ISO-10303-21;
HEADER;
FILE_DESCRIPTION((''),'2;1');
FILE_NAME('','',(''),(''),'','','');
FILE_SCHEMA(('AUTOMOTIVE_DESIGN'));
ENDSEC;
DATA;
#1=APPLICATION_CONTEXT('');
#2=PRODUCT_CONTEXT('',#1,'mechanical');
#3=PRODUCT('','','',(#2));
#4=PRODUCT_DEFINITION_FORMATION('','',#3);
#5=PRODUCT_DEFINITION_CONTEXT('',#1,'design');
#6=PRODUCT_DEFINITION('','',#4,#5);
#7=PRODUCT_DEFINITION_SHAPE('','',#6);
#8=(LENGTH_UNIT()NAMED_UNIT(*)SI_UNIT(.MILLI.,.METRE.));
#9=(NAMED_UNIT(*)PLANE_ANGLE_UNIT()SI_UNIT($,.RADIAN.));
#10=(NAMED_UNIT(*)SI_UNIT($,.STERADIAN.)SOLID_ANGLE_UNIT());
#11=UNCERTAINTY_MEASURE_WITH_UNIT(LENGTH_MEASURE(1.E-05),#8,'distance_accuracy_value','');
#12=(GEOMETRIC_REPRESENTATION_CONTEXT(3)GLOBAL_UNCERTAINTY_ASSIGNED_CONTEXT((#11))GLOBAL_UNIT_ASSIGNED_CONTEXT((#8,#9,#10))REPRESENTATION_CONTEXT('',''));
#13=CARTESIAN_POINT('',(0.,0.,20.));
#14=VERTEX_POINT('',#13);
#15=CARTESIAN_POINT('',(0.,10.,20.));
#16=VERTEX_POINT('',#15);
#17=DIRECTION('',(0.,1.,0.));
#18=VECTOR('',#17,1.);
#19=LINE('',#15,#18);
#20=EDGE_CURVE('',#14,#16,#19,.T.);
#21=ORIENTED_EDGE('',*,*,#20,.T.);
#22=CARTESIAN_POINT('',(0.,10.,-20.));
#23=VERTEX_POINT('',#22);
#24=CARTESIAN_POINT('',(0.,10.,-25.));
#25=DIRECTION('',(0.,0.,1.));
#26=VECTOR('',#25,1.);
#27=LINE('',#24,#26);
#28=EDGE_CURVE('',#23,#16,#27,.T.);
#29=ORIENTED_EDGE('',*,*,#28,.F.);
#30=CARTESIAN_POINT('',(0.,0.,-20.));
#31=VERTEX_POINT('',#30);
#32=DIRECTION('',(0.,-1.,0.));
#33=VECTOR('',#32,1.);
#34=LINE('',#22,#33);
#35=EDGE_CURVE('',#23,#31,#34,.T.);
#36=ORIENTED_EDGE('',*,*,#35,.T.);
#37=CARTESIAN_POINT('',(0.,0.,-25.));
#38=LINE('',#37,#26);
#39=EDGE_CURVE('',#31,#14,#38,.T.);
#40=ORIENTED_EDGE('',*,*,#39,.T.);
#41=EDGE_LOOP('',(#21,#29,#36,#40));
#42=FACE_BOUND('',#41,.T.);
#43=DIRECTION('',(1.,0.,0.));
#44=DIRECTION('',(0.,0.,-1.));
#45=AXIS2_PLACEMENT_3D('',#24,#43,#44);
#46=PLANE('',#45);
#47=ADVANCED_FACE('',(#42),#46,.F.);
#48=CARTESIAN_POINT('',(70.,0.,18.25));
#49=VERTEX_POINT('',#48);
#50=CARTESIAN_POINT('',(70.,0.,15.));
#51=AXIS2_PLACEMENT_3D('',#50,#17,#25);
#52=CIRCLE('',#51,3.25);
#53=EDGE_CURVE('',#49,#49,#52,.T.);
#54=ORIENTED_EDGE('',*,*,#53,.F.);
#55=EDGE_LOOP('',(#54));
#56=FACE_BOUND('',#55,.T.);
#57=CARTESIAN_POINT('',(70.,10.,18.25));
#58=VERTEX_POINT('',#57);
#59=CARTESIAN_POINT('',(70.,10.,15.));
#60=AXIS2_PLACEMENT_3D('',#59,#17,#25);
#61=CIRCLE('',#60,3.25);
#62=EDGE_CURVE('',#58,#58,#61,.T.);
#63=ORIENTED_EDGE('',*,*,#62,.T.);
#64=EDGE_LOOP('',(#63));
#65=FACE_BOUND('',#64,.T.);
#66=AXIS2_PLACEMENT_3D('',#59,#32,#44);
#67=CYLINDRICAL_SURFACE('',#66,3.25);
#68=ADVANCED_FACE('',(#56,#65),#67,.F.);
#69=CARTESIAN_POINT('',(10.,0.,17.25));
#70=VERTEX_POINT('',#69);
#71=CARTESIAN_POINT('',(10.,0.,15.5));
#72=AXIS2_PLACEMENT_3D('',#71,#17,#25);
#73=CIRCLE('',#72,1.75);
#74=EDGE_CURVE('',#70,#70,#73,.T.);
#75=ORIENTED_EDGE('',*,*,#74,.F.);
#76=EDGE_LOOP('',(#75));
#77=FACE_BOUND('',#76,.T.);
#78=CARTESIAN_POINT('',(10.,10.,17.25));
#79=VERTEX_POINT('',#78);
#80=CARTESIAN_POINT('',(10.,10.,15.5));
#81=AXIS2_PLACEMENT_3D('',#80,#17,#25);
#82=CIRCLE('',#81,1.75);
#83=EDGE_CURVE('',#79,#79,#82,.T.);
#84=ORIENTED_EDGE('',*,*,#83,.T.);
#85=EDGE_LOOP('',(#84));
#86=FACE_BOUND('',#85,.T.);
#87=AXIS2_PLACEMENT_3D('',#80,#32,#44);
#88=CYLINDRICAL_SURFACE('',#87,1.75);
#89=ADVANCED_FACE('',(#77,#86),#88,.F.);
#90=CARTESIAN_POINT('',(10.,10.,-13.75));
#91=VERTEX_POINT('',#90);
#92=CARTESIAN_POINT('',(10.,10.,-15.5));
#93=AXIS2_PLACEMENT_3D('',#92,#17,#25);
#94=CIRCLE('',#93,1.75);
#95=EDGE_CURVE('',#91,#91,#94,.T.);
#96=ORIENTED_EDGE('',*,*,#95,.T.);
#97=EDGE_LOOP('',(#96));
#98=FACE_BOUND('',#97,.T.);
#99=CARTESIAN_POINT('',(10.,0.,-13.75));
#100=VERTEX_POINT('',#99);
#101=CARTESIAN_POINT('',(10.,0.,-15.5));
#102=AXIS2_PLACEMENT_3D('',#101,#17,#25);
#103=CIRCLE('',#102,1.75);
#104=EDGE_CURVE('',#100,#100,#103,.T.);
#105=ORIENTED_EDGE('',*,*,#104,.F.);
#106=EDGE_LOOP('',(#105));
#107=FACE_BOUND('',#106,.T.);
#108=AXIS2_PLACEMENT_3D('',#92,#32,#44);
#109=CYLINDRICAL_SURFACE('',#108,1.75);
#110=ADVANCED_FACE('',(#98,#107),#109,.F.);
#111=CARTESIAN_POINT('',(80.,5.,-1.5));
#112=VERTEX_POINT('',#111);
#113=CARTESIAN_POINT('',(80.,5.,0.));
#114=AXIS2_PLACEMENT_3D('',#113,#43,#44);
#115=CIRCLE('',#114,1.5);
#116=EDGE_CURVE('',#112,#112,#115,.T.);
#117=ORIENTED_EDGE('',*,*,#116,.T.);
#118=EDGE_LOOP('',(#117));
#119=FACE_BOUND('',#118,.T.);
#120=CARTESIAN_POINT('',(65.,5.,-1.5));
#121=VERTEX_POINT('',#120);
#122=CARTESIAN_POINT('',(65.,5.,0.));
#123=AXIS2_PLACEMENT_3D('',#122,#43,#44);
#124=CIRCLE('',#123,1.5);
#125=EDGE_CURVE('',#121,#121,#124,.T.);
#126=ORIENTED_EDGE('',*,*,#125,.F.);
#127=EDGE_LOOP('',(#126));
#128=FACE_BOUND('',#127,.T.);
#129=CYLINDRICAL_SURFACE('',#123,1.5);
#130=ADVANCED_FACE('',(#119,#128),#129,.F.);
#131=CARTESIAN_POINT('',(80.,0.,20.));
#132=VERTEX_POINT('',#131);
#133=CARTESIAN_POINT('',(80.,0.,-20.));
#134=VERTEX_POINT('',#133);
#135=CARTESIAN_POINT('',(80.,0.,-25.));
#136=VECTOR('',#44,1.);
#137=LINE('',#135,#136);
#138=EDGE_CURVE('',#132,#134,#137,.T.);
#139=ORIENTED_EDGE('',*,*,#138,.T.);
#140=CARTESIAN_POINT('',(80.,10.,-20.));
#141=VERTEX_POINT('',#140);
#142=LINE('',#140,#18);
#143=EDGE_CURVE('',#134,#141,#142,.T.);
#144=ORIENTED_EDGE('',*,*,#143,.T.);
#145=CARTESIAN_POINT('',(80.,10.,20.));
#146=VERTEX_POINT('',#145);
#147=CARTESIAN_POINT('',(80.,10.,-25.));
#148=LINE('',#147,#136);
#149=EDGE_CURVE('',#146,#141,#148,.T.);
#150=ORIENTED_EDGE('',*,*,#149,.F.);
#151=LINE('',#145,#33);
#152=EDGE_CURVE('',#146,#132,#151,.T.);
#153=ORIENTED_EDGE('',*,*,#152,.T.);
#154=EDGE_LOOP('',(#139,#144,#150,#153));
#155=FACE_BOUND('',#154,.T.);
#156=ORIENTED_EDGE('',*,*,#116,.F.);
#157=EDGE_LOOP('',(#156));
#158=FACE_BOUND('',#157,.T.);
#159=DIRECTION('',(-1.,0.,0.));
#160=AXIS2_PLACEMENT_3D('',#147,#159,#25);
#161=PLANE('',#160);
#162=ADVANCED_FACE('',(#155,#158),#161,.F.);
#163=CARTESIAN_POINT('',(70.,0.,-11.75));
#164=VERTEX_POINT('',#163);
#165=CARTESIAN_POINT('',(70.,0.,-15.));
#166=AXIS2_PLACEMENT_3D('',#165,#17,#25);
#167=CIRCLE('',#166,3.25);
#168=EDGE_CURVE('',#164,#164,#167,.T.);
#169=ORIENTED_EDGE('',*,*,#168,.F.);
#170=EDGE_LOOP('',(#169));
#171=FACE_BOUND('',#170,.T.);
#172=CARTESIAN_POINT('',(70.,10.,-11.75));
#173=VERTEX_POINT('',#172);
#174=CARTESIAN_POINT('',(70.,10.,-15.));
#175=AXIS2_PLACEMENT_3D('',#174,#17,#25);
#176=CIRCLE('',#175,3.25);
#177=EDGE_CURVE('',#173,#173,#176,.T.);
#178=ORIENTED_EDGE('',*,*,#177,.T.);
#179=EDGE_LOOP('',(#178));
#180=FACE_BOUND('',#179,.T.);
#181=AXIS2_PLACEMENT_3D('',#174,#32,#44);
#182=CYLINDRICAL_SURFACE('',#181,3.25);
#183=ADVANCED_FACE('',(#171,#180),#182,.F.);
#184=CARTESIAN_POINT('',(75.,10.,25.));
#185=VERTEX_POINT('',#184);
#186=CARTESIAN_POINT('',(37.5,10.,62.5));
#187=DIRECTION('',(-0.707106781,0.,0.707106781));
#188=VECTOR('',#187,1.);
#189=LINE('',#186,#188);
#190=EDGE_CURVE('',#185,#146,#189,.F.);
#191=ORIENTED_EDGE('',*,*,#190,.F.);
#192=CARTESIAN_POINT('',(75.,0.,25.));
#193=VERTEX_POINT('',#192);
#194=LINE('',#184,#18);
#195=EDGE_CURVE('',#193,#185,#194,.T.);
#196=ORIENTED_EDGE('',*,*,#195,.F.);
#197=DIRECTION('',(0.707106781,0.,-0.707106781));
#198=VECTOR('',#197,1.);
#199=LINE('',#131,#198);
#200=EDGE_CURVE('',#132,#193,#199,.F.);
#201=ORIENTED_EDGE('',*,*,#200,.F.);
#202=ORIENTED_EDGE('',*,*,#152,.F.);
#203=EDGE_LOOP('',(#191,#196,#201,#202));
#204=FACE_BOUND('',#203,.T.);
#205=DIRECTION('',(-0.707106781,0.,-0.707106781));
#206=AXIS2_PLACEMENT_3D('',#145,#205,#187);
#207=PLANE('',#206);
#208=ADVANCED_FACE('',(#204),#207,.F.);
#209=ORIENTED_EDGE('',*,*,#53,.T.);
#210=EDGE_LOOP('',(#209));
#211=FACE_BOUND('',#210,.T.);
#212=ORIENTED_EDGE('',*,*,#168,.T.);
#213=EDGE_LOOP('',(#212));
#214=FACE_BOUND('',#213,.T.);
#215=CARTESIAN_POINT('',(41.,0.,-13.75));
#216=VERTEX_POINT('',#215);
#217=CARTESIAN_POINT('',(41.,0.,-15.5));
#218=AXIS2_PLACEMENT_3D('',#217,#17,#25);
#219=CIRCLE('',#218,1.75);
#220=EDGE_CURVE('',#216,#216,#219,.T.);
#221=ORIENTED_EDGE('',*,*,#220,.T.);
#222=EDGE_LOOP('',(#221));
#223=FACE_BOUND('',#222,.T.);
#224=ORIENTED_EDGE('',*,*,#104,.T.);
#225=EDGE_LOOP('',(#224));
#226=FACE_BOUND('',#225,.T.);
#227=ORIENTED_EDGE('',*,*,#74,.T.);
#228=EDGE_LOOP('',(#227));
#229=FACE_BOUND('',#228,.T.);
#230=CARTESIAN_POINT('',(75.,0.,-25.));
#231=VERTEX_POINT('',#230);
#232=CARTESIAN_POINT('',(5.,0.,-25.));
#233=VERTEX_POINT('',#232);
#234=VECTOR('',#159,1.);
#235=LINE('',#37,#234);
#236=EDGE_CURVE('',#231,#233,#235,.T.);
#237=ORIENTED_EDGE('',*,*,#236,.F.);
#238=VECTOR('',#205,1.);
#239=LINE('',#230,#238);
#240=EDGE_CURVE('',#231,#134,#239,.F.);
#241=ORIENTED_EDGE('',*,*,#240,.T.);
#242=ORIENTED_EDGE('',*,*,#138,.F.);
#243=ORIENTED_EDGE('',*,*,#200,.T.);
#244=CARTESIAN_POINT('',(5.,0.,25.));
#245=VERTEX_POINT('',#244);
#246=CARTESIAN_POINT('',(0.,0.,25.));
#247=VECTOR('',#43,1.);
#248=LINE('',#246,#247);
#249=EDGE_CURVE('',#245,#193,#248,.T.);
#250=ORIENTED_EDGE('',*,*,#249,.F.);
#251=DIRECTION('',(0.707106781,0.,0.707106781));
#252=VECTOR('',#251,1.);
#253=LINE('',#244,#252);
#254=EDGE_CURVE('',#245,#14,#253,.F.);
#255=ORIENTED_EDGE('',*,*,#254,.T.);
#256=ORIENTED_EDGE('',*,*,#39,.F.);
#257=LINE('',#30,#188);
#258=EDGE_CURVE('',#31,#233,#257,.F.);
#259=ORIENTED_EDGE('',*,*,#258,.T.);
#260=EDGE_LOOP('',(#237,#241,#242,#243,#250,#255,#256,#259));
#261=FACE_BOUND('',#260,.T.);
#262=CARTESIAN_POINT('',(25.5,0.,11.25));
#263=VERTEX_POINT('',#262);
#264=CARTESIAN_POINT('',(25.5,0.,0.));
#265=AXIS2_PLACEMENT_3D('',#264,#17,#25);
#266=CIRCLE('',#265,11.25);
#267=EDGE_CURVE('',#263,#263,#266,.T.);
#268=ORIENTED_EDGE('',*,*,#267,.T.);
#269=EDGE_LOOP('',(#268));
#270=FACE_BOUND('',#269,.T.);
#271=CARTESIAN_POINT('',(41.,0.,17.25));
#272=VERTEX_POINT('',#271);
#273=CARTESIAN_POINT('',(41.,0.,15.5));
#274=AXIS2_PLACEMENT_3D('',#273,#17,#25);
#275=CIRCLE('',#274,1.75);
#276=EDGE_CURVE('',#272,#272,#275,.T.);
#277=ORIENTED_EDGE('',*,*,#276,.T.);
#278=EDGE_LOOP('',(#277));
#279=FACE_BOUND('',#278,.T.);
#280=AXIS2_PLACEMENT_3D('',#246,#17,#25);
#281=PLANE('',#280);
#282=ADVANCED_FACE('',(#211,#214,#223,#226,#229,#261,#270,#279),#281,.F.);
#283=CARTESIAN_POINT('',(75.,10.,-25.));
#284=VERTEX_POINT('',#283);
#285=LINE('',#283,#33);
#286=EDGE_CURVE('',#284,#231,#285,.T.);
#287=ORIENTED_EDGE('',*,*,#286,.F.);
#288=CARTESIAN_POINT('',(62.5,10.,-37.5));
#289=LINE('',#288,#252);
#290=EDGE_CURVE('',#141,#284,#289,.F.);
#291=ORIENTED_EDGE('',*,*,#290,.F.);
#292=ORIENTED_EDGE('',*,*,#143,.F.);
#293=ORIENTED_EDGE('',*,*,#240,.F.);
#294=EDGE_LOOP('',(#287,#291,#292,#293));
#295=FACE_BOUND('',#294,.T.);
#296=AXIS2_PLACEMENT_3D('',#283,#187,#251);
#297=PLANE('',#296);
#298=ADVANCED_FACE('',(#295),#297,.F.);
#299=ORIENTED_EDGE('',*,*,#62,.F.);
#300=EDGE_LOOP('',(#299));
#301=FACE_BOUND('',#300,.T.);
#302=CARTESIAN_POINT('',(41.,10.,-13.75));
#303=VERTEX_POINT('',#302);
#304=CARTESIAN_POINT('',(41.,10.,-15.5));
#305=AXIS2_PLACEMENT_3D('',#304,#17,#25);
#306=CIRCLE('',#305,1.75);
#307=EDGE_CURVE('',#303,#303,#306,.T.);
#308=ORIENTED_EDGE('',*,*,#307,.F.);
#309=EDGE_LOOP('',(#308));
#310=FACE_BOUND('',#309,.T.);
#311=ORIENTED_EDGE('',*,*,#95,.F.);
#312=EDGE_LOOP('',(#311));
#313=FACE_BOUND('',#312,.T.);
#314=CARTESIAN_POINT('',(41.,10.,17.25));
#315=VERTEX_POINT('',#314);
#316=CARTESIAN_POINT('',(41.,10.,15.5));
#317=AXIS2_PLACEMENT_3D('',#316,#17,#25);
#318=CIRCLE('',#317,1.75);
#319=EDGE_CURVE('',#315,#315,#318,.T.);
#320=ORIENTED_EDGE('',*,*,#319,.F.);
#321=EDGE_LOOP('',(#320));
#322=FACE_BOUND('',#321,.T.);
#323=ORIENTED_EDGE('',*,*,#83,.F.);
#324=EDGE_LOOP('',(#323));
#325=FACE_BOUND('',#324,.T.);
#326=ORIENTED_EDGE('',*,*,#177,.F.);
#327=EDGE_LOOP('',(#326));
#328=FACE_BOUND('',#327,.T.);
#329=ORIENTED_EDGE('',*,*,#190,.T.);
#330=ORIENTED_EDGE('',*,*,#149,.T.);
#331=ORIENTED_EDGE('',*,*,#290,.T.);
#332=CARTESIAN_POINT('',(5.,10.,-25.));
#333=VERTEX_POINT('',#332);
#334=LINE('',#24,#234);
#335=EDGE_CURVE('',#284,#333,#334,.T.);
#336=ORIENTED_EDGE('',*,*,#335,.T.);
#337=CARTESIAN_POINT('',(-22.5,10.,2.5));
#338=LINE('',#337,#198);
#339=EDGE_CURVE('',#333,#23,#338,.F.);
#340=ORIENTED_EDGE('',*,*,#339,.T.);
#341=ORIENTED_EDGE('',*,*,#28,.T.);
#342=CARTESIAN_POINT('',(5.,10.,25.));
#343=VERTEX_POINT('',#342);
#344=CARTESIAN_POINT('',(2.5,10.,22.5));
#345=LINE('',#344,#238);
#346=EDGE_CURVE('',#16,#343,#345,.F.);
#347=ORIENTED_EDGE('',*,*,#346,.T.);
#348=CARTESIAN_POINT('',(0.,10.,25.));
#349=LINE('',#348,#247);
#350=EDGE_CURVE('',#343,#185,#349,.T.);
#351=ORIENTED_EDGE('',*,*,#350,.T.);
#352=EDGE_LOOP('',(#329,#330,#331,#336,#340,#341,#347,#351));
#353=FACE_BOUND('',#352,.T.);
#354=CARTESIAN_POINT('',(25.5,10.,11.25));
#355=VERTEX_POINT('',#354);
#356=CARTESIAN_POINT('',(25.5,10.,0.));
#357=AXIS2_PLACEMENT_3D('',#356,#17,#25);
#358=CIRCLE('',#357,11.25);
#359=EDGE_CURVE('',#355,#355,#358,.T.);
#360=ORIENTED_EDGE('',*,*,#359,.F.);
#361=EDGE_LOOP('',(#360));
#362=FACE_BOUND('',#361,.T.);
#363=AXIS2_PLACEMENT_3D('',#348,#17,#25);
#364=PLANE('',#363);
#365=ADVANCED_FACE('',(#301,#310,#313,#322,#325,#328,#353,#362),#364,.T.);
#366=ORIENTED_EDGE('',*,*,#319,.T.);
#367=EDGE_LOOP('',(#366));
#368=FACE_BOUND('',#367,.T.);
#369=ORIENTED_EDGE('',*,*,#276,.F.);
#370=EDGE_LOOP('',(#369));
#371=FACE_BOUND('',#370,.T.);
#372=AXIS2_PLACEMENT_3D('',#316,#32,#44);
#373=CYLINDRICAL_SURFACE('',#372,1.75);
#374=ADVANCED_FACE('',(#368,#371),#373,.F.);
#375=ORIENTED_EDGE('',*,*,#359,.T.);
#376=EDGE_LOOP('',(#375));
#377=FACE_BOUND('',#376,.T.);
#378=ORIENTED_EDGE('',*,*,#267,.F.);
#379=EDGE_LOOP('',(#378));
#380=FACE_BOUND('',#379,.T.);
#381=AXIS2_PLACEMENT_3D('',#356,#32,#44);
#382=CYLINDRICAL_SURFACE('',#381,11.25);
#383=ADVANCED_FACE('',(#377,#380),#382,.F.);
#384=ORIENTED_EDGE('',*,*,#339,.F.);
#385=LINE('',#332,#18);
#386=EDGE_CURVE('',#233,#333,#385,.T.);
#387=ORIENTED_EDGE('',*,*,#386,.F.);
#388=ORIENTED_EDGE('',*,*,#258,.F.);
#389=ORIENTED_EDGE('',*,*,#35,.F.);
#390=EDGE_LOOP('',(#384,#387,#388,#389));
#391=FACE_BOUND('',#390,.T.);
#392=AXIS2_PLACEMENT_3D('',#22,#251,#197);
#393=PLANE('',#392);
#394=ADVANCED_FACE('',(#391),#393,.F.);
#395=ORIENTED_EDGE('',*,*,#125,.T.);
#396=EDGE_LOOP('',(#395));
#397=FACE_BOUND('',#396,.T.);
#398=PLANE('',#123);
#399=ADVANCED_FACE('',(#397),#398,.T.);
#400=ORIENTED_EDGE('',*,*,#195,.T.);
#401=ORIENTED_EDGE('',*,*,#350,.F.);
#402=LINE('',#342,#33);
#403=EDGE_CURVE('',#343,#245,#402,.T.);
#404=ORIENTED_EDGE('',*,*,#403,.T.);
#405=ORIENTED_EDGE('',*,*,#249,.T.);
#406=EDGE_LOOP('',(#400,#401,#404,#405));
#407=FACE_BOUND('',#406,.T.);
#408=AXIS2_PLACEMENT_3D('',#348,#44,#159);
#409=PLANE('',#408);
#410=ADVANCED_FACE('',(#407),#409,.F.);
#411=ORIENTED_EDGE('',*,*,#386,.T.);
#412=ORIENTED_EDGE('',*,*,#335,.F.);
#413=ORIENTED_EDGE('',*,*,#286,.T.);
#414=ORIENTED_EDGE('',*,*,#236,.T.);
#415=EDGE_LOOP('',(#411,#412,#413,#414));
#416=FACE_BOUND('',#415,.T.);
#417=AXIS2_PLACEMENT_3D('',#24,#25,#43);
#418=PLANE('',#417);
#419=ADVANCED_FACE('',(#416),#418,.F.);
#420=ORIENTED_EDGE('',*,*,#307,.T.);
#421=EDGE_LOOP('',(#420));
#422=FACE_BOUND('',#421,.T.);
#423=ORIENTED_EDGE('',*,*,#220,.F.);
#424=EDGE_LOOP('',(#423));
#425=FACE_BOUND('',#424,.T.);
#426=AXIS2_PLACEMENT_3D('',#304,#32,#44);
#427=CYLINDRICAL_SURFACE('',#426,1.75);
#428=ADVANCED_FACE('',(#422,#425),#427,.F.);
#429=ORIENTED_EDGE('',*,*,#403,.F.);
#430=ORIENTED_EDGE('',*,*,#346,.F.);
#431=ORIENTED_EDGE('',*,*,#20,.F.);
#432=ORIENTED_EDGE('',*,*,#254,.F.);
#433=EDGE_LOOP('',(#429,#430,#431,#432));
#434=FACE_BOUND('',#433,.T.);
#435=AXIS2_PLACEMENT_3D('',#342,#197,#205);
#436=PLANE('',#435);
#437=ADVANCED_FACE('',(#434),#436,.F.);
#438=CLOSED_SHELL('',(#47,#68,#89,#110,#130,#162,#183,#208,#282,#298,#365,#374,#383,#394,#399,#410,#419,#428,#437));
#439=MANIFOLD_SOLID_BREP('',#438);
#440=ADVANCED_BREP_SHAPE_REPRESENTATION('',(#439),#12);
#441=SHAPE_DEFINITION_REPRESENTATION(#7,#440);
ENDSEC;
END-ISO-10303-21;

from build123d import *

# Parameters (mm, degrees)
SKETCH1_W           = 80
SKETCH1_H           = 50
SKETCH1_R           = 1.75
SKETCH1_R_2         = 11.25
SKETCH1_R_3         = 3.25
BOSS_EXTRUDE1_DEPTH = 10
SKETCH2_R           = 1.5
CUT_EXTRUDE1_DEPTH  = 15
CHAMFER1_SIZE       = 5


with BuildPart() as part:
    # Sketch1 → Boss-Extrude1 (new body)
    with BuildSketch(Plane(origin=(0, 0, 0), x_dir=(1, 0, 0), z_dir=(0, 1, 0))):
        with Locations((40, 0)):
            Rectangle(SKETCH1_W, SKETCH1_H)
        with Locations(Location((10, 15.5, 0), (0, 0, 270))):
            Circle(SKETCH1_R, mode=Mode.SUBTRACT)
        with Locations(Location((10, -15.5, 0), (0, 0, 270))):
            Circle(SKETCH1_R, mode=Mode.SUBTRACT)
        with Locations(Location((25.5, 0, 0), (0, 0, 270))):
            Circle(SKETCH1_R_2, mode=Mode.SUBTRACT)
        with Locations(Location((41, 15.5, 0), (0, 0, 270))):
            Circle(SKETCH1_R, mode=Mode.SUBTRACT)
        with Locations(Location((41, -15.5, 0), (0, 0, 270))):
            Circle(SKETCH1_R, mode=Mode.SUBTRACT)
        with Locations(Location((70, 15, 0), (0, 0, 270))):
            Circle(SKETCH1_R_3, mode=Mode.SUBTRACT)
        with Locations(Location((70, -15, 0), (0, 0, 270))):
            Circle(SKETCH1_R_3, mode=Mode.SUBTRACT)
    extrude(amount=BOSS_EXTRUDE1_DEPTH)

    # Sketch2 → Cut-Extrude1 (cut)
    with BuildSketch(Plane(origin=(80, 0, 0), x_dir=(0, 0, -1), z_dir=(1, 0, 0))):
        with Locations((0, 5)):
            Circle(SKETCH2_R)
    extrude(amount=-CUT_EXTRUDE1_DEPTH, mode=Mode.SUBTRACT)

    # Chamfer1
    chamfer1_edges = [part.edges().sort_by_distance(p)[0] for p in [
        (0, 5, -25),
        (80, 5, -25),
        (80, 5, 25),
        (0, 5, 25),
    ]]
    chamfer(chamfer1_edges, length=CHAMFER1_SIZE)


solid = part.part
